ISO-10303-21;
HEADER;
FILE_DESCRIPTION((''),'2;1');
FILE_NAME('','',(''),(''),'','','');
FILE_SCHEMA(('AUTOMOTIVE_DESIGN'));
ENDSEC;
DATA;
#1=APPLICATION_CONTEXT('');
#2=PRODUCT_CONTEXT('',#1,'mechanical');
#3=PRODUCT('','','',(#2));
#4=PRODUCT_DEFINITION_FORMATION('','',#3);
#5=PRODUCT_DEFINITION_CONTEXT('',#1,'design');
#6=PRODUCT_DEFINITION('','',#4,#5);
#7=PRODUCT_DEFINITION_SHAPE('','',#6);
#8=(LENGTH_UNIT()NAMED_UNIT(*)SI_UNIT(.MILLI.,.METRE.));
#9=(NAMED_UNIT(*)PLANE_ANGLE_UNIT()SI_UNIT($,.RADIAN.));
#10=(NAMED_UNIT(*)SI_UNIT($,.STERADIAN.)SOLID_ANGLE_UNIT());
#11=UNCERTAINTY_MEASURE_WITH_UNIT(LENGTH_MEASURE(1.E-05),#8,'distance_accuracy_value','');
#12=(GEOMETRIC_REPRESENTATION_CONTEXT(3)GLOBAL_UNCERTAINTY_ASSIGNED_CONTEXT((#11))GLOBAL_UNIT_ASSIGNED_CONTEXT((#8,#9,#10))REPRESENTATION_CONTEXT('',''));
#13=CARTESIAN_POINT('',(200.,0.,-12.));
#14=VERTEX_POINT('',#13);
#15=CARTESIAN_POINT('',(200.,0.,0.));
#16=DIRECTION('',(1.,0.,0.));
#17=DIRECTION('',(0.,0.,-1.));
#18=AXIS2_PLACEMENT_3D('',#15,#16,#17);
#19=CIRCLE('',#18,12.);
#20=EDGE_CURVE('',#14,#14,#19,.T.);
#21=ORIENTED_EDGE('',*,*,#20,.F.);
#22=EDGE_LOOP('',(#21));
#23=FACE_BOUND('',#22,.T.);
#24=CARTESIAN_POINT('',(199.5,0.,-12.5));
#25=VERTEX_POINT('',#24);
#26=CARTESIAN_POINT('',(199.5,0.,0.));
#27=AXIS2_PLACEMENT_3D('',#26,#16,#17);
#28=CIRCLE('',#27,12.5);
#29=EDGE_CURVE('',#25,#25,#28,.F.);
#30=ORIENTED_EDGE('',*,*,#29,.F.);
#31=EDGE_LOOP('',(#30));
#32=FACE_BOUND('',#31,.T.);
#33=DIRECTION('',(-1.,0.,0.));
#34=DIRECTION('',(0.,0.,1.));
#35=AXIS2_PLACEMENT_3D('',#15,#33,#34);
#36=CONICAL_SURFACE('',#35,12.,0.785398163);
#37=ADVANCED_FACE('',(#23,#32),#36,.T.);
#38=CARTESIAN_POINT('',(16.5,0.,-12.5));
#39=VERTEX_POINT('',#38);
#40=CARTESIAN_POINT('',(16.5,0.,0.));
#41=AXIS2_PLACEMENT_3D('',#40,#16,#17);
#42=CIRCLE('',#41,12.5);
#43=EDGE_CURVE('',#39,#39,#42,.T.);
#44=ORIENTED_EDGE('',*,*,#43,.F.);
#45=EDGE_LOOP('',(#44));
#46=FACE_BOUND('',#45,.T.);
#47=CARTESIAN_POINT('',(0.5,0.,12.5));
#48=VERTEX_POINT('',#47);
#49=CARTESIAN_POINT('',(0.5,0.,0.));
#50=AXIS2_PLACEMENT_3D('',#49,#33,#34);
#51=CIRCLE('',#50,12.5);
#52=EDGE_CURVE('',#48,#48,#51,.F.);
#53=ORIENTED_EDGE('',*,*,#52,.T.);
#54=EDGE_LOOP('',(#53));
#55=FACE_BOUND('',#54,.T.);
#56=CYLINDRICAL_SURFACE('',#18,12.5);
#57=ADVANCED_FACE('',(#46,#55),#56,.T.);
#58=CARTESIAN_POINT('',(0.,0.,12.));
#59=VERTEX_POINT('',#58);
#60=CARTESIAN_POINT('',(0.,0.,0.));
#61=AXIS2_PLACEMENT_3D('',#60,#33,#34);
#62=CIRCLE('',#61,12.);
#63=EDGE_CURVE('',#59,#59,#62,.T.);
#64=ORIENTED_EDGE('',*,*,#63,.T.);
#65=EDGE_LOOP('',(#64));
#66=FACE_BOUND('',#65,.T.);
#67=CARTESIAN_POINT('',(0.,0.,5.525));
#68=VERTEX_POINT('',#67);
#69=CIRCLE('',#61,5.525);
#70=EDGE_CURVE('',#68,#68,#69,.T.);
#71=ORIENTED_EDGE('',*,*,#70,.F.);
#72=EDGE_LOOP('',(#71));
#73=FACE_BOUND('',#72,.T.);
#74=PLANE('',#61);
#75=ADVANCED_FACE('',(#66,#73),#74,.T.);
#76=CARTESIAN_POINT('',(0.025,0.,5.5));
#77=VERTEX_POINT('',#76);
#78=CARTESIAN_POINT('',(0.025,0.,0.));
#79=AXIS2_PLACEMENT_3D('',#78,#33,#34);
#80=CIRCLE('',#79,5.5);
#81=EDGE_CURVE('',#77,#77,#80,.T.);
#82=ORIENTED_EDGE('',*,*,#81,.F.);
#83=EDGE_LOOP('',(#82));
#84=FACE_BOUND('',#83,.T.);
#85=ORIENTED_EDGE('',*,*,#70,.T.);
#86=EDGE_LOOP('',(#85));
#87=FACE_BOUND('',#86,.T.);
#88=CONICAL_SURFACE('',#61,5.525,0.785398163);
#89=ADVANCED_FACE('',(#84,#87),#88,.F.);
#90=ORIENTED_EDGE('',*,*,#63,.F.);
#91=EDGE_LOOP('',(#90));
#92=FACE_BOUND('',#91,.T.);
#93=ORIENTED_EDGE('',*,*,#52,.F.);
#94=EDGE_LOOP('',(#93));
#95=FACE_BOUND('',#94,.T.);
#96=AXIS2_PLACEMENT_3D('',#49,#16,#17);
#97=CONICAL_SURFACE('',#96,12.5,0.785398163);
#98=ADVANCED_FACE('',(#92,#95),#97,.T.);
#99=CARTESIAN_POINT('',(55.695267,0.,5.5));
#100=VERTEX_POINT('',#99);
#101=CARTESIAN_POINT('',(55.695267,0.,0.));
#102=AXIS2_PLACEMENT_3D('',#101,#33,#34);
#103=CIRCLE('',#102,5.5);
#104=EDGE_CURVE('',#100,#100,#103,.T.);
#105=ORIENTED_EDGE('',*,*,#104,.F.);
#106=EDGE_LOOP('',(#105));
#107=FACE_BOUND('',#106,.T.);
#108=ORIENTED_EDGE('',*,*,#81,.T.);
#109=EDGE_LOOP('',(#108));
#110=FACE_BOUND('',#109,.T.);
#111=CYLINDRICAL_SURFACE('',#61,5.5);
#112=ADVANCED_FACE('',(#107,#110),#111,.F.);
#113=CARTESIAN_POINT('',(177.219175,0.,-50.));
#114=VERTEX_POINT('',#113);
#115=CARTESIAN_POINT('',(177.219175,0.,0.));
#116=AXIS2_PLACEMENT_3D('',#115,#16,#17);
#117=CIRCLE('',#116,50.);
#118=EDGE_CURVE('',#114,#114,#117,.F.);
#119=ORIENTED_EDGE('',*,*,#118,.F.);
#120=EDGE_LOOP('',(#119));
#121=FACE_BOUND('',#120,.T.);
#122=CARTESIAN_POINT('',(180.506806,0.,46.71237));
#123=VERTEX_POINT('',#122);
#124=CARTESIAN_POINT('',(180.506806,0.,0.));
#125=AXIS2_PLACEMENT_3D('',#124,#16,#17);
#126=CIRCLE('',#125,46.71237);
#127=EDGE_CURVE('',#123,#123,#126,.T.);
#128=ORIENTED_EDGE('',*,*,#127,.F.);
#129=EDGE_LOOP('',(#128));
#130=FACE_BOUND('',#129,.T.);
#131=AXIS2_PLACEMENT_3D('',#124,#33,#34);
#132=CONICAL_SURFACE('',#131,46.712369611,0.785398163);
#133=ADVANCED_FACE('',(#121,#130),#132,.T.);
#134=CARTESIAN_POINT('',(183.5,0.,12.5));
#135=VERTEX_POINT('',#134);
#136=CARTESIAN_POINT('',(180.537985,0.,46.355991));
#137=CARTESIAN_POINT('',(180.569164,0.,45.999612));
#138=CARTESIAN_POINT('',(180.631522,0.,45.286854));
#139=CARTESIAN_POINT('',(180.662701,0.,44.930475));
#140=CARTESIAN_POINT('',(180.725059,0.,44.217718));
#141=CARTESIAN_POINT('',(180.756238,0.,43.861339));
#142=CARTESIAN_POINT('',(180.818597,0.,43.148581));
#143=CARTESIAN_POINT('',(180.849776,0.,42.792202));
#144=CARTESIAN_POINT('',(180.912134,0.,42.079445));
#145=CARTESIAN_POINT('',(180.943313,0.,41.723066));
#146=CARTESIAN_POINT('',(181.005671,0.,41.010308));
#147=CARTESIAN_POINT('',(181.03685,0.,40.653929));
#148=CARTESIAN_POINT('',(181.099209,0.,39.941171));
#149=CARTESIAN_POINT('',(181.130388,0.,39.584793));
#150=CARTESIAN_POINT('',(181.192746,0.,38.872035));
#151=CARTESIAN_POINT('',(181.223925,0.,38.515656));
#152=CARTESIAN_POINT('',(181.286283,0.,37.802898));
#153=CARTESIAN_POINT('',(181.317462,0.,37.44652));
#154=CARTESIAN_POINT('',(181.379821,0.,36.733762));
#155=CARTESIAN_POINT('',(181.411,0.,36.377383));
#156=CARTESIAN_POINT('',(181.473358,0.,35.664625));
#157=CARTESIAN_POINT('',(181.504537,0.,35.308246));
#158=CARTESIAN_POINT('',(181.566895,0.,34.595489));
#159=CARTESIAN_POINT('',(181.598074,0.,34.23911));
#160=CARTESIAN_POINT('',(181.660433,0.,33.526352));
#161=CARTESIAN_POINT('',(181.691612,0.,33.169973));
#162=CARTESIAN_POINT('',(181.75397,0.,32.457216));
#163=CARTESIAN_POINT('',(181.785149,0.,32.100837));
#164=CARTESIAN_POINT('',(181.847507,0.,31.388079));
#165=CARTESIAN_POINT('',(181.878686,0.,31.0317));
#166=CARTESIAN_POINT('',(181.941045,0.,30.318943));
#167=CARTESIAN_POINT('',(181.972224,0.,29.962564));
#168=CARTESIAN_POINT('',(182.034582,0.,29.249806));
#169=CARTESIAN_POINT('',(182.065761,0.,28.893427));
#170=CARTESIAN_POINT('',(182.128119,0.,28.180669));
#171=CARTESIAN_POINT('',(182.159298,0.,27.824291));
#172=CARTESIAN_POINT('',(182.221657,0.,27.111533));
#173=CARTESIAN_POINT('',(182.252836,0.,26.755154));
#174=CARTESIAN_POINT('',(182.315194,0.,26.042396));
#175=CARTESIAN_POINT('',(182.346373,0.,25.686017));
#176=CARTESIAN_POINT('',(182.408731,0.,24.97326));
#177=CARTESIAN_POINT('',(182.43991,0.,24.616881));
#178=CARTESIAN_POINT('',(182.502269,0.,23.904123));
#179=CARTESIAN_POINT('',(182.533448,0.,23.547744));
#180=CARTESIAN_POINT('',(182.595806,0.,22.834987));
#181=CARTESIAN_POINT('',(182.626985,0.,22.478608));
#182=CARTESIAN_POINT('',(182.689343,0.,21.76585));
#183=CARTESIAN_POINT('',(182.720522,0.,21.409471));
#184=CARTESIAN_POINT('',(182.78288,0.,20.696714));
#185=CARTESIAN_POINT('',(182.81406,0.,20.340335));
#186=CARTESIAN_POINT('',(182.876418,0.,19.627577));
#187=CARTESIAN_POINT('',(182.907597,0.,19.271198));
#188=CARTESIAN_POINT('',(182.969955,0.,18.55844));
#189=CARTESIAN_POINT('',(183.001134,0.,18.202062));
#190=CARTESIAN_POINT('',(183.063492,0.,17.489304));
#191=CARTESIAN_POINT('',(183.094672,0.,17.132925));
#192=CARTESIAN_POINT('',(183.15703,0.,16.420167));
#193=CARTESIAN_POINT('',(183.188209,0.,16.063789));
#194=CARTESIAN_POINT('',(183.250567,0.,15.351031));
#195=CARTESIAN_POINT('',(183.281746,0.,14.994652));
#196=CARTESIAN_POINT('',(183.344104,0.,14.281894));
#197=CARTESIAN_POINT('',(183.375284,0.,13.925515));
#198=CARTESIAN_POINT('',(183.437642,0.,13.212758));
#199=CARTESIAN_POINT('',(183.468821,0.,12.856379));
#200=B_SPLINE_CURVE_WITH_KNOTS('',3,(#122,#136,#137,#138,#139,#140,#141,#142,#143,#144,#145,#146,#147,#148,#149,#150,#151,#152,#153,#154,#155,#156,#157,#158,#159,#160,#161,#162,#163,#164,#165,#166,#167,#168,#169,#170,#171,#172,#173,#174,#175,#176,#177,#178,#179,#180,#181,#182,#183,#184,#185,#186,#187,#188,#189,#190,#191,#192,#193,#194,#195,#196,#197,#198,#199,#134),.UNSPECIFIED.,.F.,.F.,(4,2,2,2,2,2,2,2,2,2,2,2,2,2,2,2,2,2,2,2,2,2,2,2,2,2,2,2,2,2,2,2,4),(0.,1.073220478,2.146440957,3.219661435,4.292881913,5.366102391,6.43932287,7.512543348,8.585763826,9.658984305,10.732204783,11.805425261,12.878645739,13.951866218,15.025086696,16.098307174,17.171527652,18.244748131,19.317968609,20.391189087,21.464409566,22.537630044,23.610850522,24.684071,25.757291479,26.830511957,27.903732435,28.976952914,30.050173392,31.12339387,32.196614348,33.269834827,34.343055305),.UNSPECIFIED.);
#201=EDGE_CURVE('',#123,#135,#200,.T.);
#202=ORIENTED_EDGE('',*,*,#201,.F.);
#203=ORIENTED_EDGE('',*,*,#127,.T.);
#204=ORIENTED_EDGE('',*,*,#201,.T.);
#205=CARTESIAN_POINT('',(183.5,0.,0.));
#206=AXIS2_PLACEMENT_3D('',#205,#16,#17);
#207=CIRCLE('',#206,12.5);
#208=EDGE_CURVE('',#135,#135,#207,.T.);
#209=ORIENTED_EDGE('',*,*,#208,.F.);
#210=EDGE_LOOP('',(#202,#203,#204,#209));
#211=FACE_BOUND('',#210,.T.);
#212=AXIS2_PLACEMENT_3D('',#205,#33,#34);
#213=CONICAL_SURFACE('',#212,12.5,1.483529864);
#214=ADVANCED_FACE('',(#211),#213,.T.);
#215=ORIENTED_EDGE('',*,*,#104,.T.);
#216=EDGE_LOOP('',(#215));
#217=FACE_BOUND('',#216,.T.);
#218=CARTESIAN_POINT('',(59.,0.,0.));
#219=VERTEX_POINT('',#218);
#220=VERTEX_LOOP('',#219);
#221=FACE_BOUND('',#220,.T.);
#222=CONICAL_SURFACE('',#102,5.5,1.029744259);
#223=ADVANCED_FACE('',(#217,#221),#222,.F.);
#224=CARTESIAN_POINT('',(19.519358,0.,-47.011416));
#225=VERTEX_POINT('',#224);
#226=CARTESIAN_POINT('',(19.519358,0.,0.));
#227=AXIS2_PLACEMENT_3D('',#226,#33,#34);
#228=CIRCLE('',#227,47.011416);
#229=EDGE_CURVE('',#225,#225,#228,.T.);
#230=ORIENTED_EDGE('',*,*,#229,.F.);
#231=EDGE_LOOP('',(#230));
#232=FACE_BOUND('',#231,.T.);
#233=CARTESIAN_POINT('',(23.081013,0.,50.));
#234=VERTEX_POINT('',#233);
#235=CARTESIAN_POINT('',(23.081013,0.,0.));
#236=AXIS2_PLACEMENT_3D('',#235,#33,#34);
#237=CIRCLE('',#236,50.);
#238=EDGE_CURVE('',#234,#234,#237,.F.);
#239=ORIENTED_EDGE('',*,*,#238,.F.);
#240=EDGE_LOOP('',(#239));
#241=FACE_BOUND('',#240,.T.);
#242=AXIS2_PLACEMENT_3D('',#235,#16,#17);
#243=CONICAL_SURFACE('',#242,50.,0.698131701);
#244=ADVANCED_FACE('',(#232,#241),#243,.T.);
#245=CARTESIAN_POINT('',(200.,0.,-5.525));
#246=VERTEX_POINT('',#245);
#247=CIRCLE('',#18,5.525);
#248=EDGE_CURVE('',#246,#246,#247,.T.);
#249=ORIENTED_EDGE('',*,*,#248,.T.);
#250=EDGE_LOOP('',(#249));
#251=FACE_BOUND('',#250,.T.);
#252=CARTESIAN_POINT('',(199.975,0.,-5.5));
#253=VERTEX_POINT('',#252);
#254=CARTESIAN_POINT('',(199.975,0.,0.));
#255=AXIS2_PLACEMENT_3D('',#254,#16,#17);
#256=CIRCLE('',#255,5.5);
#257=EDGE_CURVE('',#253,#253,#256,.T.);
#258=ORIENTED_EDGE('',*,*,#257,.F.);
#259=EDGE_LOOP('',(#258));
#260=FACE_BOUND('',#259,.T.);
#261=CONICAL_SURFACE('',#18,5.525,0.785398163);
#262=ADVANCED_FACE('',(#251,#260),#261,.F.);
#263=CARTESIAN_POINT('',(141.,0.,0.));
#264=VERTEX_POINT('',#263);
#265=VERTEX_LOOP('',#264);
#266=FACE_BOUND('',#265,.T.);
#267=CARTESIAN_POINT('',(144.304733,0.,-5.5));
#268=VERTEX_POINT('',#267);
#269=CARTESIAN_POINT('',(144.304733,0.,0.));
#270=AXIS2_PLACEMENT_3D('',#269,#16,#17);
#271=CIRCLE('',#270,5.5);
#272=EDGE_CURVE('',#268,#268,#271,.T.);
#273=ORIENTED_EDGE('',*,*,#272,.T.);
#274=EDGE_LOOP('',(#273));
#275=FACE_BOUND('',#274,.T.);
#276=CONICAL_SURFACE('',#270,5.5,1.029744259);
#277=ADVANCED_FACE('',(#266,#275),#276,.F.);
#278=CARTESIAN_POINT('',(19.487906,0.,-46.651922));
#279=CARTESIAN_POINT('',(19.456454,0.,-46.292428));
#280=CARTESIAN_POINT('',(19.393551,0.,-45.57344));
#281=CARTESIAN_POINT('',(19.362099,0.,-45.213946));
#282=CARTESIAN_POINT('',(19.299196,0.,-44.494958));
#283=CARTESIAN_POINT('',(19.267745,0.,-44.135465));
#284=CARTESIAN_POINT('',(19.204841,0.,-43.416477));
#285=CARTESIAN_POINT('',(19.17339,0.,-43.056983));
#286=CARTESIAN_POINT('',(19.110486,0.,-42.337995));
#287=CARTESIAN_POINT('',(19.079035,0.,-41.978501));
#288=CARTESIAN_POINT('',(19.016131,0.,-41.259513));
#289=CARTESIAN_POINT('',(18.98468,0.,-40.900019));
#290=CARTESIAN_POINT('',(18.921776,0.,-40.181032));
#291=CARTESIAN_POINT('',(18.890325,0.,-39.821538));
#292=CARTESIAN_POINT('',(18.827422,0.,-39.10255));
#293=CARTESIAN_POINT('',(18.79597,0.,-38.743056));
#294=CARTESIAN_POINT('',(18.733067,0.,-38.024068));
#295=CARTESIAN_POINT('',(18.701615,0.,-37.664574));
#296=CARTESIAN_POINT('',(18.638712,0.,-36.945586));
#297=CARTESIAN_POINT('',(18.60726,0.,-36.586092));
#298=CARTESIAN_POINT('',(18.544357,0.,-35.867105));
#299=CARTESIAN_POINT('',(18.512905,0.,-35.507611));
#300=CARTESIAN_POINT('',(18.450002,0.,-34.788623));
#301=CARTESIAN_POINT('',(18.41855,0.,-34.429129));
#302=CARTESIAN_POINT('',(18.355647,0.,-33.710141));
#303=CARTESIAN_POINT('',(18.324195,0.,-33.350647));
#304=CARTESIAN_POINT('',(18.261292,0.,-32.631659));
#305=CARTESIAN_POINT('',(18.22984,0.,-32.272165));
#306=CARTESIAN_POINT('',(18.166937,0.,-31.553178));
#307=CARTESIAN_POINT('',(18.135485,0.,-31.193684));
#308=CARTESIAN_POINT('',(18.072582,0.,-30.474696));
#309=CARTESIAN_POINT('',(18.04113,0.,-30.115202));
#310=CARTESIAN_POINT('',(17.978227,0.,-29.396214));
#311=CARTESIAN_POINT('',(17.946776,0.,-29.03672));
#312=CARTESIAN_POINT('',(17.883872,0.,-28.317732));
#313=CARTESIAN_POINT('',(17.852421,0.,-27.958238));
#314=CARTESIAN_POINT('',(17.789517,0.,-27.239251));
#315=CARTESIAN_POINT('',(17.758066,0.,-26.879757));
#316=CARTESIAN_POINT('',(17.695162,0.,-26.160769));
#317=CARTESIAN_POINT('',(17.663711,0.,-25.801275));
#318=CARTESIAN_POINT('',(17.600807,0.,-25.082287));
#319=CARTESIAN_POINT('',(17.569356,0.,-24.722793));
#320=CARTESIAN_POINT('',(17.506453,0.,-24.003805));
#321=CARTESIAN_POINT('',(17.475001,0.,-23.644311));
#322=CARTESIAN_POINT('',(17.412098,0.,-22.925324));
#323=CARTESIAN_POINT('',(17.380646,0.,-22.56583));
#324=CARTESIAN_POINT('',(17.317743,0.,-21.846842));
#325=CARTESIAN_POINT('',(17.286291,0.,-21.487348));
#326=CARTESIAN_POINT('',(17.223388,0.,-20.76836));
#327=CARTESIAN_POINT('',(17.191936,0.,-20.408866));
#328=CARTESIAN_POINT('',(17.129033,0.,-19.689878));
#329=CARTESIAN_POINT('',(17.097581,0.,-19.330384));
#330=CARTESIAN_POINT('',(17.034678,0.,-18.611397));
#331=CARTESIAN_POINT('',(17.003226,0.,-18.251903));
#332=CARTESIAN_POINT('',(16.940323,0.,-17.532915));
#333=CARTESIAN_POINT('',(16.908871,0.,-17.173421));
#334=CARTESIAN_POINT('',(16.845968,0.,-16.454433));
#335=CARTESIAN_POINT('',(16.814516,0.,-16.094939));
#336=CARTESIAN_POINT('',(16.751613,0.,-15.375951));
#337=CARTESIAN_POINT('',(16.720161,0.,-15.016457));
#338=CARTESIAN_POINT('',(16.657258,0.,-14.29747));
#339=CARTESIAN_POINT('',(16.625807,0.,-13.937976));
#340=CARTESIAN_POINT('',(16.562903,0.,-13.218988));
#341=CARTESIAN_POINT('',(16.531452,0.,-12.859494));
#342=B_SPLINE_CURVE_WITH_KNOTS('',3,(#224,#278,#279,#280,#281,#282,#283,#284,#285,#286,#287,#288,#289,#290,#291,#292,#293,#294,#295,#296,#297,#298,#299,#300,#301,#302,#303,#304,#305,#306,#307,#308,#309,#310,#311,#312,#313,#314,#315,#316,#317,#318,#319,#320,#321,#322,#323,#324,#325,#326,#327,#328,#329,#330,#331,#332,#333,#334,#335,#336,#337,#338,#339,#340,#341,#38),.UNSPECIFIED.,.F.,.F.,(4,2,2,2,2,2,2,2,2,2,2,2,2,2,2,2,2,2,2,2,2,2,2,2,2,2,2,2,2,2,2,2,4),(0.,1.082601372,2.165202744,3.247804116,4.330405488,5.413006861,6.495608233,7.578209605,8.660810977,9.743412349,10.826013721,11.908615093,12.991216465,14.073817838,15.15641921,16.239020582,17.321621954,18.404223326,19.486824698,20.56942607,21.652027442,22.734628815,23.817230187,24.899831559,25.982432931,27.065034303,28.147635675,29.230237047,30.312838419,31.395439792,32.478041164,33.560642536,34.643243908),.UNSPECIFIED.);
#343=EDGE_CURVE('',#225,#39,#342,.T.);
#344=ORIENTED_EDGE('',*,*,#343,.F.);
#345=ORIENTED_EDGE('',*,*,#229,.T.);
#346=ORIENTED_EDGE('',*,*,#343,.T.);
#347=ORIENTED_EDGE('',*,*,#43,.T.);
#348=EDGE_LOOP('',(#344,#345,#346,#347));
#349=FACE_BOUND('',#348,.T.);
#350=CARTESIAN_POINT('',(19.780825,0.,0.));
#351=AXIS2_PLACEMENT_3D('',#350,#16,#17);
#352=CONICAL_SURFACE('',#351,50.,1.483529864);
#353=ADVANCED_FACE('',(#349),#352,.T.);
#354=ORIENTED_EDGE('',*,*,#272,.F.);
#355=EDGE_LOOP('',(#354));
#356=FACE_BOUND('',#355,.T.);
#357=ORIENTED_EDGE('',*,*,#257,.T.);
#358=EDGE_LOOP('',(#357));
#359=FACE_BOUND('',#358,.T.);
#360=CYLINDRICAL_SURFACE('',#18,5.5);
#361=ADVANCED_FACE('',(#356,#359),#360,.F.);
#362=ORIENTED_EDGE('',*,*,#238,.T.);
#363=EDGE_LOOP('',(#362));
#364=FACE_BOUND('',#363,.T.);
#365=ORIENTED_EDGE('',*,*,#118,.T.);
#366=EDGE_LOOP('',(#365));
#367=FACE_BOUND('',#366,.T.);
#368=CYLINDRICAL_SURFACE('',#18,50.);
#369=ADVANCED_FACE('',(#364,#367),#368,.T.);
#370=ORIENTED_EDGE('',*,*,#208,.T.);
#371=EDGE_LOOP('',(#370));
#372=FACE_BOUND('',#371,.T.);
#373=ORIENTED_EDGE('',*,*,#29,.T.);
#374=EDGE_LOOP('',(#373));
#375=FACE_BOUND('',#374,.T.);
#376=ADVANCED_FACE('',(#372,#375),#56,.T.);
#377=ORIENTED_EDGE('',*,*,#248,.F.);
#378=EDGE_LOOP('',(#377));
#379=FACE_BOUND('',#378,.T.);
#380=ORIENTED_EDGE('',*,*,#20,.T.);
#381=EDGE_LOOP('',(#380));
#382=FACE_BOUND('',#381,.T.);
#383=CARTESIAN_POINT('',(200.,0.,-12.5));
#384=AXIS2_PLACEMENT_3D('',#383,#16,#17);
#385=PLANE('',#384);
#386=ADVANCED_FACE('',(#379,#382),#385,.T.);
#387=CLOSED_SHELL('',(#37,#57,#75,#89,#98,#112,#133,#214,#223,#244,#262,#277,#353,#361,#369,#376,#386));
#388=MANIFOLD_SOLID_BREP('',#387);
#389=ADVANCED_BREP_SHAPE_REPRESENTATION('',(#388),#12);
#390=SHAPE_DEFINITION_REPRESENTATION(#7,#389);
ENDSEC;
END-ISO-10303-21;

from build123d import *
from OCP.BRepFilletAPI import BRepFilletAPI_MakeChamfer

# Parameters (mm, degrees)
CHAMFER1_SIZE  = 3
CHAMFER1_SIZE2 = 3.300188603
CHAMFER2_SIZE  = 0.5


with BuildPart() as part:
    # Sketch1 → Revolve1 (revolve)
    with BuildSketch(Plane(origin=(0, 0, 0), x_dir=(1, 0, 0), z_dir=(0, 1, 0))):
        Polygon((0, 0), (0, 12.5), (16.5, 12.5), (19.780824882, 50), (180.219175118, 50), (183.5, 12.5), (200, 12.5), (200, 0), align=None)
    revolve(axis=Axis((200, 0, 0), (-1, 0, 0)))

    # Chamfer1: one chamfer whose edges measure the first distance from different faces: ONE call of the kernel's chamfer builder (chamfer() names one face for all edges)
    chamfer1_edges_1 = [part.edges().sort_by_distance(p)[0] for p in [
        (180.219175118, 0, 50),
    ]]
    chamfer1_side_1 = [part.faces().sort_by_distance(p)[0] for p in [
        (100, 0, 50),
    ]]
    chamfer1_edges_2 = [part.edges().sort_by_distance(p)[0] for p in [
        (19.780824882, 0, 50),
    ]]
    chamfer1_side_2 = [part.faces().sort_by_distance(p)[0] for p in [
        (18.140412441, 0, 31.25),
    ]]
    chamfer1 = BRepFilletAPI_MakeChamfer(part.part.solid().wrapped)
    for e in chamfer1_edges_1:
        chamfer1.Add(CHAMFER1_SIZE, CHAMFER1_SIZE2, e.wrapped, chamfer1_side_1[0].wrapped)  # the first distance lies on this face
    for e in chamfer1_edges_2:
        chamfer1.Add(CHAMFER1_SIZE, CHAMFER1_SIZE2, e.wrapped, chamfer1_side_2[0].wrapped)  # the first distance lies on this face
    add(Compound.cast(chamfer1.Shape()), mode=Mode.REPLACE)

    # Chamfer2
    chamfer2_edges = [part.edges().sort_by_distance(p)[0] for p in [
        (200, 0, 12.5),
        (0, 0, 12.5),
    ]]
    chamfer(chamfer2_edges, length=CHAMFER2_SIZE)

    # Sketch3 → M10 Clearance Hole1 (revolve, cut)
    with BuildSketch(Plane(origin=(200, 0, 0), x_dir=(0, 0, -1), z_dir=(0, 1, 0))):
        Polygon((0, 0), (0, 59), (5.5, 55.695266595), (5.5, 0.025), (5.525, 0), align=None)
    m10_clearance_hole1 = revolve(axis=Axis((206.35, 0, 0), (-1, 0, 0)), mode=Mode.SUBTRACT)

    # Mirror1: M10 Clearance Hole1 across plane
    add(m10_clearance_hole1.mirror(Plane(origin=(100, 0, 0), x_dir=(0, 0, 1), z_dir=(1, 0, 0))), mode=Mode.SUBTRACT)


solid = part.part
